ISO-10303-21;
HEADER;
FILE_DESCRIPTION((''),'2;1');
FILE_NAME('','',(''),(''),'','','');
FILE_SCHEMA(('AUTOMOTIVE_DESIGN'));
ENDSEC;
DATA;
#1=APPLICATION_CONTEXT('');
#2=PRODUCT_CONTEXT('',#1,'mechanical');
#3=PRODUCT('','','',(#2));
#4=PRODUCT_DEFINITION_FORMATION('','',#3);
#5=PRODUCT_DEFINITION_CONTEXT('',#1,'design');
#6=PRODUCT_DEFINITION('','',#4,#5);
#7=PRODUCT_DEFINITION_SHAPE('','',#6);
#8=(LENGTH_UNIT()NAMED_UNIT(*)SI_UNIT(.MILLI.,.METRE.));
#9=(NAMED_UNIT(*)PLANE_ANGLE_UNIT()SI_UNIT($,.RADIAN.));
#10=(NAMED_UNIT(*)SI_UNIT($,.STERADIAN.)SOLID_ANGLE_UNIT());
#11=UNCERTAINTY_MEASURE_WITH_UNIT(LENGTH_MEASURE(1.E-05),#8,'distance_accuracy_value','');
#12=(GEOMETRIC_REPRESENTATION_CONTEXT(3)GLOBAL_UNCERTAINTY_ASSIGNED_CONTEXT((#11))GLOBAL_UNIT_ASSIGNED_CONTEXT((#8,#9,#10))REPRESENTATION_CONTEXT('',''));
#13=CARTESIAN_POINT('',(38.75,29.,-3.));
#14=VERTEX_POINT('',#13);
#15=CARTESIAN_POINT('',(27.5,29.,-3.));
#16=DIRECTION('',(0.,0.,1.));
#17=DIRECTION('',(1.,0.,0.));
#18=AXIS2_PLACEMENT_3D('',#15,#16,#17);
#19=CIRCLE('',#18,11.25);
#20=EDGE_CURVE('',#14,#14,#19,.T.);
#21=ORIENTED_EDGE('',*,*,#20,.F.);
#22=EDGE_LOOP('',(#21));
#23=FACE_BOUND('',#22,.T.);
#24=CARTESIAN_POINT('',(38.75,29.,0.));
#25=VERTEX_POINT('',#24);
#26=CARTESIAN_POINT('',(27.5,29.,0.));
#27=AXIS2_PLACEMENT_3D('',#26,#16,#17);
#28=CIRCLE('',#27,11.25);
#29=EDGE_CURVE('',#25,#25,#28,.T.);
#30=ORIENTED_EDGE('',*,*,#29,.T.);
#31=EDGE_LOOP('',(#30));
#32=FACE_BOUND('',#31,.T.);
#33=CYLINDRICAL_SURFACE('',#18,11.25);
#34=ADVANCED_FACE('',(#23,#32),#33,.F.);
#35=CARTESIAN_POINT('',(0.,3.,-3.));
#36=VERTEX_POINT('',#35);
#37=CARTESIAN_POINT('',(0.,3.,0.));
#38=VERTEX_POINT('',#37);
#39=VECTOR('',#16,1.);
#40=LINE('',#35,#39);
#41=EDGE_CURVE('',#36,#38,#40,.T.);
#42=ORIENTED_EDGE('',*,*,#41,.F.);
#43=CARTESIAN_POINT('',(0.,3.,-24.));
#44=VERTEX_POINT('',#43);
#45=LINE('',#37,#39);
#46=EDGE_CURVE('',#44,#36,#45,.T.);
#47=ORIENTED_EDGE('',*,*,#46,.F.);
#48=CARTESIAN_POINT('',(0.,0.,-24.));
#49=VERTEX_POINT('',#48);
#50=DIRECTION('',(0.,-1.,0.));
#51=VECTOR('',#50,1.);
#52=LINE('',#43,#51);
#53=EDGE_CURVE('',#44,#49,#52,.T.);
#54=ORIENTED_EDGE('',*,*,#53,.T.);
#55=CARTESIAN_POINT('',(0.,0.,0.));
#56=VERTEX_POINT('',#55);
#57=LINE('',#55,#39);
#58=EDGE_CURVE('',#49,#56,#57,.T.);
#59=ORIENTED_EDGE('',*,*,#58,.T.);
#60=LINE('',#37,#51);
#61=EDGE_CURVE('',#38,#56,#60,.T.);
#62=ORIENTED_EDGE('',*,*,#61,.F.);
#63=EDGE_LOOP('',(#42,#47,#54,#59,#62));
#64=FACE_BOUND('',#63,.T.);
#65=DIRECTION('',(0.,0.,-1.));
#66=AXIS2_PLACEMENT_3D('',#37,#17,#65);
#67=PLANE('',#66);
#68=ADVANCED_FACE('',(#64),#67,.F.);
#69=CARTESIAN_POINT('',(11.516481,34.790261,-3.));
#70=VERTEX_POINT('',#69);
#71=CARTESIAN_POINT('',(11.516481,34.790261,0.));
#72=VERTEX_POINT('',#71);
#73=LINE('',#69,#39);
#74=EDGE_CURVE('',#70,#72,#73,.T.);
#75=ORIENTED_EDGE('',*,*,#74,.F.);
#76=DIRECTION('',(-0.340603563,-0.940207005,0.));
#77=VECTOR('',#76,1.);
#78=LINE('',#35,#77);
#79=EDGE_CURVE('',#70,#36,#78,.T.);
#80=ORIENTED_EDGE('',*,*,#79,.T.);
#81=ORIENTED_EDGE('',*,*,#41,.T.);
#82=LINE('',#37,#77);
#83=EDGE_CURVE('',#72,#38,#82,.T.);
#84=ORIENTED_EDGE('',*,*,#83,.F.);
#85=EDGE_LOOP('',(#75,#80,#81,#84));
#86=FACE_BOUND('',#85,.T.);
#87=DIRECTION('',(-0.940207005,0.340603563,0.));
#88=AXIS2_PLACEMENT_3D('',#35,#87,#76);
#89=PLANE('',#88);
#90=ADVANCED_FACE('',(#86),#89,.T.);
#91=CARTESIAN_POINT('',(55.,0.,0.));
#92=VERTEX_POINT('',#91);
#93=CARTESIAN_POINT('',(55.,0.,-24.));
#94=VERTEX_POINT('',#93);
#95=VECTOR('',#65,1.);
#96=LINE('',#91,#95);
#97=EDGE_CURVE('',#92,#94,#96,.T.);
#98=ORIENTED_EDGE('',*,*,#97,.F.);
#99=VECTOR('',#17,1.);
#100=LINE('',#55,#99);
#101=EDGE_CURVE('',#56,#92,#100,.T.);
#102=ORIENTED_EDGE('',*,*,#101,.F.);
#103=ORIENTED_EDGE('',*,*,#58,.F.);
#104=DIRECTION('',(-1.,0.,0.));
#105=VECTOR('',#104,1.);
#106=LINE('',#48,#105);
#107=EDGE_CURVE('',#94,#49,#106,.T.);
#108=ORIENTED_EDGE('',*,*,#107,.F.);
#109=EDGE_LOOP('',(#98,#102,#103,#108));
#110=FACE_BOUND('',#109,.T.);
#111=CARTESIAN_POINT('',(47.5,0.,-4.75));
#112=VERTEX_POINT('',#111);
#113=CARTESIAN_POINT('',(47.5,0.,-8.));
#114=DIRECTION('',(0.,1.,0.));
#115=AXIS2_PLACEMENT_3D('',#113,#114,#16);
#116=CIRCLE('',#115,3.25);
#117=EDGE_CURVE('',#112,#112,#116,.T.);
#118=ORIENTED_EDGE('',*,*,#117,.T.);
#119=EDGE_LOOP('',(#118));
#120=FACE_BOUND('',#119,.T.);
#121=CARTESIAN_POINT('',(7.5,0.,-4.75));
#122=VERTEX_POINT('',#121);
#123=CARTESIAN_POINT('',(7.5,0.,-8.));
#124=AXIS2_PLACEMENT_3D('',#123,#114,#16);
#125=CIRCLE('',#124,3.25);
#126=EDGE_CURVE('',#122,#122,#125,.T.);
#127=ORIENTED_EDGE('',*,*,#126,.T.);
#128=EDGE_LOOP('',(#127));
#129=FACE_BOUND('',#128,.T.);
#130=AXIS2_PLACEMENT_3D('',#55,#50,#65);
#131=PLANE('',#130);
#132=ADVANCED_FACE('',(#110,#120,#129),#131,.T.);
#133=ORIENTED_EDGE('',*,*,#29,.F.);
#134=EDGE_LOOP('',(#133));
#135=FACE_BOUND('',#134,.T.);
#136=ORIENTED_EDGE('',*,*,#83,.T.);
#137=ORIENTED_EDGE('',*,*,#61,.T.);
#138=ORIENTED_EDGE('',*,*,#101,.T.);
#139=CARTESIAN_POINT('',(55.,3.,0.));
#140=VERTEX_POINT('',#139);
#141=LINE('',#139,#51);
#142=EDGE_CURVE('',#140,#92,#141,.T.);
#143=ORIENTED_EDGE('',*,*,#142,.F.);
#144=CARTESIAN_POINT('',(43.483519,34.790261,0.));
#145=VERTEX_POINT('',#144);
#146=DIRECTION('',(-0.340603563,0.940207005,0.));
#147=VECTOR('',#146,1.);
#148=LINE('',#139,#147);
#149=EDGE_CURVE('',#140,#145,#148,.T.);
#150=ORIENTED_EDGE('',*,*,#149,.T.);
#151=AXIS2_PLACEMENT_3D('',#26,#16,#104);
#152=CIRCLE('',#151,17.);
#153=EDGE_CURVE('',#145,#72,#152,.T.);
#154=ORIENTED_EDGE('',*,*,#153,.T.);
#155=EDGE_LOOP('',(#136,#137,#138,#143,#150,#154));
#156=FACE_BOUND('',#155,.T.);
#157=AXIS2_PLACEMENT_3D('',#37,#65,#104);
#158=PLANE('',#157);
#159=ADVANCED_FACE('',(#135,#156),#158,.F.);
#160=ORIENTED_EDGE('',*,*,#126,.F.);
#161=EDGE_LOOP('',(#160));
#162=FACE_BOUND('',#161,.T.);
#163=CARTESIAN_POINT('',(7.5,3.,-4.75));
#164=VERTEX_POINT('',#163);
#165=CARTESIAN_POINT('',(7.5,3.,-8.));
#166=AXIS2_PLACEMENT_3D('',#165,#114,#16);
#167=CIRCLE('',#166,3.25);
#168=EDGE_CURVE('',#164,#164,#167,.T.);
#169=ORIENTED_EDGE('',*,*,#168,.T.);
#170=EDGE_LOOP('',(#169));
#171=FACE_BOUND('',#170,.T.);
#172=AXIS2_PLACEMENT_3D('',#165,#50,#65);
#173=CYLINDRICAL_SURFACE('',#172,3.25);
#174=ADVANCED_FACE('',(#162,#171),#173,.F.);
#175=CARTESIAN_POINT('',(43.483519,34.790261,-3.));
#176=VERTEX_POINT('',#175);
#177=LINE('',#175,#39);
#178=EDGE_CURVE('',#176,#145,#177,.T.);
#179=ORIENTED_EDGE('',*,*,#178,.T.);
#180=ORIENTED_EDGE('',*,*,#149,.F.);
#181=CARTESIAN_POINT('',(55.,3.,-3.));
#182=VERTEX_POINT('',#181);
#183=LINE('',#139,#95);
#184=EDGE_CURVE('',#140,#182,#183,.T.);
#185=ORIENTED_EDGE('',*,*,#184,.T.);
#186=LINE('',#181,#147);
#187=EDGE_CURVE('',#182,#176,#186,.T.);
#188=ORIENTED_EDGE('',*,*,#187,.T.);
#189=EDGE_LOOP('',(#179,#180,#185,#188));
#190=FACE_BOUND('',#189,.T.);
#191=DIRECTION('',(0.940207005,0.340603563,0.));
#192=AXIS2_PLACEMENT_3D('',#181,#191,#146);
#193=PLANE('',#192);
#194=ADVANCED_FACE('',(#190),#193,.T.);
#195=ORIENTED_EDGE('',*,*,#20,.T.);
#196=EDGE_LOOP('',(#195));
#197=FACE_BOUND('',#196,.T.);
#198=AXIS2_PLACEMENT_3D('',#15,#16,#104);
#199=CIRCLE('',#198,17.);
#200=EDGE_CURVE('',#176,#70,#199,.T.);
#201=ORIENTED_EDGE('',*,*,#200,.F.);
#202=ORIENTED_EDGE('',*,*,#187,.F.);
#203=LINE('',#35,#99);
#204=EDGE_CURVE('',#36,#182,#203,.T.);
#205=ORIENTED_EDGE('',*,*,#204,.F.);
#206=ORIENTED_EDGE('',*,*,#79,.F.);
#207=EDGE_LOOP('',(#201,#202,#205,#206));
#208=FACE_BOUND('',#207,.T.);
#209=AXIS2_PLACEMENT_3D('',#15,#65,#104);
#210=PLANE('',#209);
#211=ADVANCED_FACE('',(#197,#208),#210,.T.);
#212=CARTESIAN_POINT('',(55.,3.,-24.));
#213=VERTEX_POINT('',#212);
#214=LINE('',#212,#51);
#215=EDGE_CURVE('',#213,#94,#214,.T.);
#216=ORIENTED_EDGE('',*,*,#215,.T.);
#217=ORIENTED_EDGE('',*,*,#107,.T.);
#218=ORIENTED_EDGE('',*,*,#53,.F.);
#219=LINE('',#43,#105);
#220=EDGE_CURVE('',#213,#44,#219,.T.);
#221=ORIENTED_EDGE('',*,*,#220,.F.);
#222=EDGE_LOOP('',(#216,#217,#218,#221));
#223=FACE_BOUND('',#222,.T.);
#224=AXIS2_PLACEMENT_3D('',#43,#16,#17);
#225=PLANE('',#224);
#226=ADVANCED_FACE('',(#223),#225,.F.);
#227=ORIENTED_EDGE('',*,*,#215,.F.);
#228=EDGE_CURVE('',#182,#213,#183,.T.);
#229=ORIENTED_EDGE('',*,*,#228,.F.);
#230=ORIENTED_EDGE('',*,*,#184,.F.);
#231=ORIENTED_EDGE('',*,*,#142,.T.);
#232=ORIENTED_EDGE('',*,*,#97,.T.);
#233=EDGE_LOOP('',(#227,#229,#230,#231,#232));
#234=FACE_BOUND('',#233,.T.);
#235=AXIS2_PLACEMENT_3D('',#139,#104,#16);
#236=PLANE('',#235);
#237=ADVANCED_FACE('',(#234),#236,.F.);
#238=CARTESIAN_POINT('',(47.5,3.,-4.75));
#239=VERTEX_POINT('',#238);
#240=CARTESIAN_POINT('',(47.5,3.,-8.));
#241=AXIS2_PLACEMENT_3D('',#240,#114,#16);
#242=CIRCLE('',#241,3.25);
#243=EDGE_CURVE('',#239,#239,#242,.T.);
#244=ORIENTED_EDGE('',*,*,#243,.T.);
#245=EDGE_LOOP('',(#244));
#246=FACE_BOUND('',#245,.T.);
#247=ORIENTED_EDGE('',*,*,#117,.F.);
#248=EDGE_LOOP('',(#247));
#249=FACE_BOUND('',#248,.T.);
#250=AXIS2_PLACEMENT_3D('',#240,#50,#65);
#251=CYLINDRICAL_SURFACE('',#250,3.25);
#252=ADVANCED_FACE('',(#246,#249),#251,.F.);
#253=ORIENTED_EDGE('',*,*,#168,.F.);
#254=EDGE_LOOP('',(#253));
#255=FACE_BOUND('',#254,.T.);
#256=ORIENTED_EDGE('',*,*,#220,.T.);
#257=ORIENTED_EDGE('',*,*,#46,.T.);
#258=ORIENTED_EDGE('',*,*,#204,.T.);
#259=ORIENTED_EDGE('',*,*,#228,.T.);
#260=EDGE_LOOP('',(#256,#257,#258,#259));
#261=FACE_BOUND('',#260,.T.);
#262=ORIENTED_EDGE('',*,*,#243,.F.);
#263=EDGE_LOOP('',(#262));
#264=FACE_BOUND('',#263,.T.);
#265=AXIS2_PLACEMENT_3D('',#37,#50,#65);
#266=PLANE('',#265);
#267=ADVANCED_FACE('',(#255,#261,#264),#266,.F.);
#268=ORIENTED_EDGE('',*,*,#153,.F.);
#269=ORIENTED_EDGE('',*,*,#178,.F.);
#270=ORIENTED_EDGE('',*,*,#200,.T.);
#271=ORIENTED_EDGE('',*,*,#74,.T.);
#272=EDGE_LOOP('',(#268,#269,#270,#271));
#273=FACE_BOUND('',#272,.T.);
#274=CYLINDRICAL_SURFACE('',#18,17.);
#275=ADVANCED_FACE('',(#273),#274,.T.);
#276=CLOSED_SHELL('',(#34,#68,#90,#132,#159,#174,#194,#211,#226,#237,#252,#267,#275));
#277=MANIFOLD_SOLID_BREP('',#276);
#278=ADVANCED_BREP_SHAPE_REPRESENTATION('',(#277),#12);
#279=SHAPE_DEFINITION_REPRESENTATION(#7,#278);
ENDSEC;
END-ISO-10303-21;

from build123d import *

# Parameters (mm, degrees)
SKETCH_1_W      = 55
SKETCH_1_H      = 24
SKETCH_1_R      = 3.25
EXTRUDE_1_DEPTH = 3
SKETCH_3_R      = 11.25
EXTRUDE_2_DEPTH = 3


with BuildPart() as part:
    # 草图1 → 凸台-拉伸1 (new body)
    with BuildSketch(Plane(origin=(0, 0, 0), x_dir=(1, 0, 0), z_dir=(0, 1, 0))):
        with Locations((27.5, 12)):
            Rectangle(SKETCH_1_W, SKETCH_1_H)
        with Locations(Location((47.5, 8, 0), (0, 0, 270))):
            Circle(SKETCH_1_R, mode=Mode.SUBTRACT)
        with Locations(Location((7.5, 8, 0), (0, 0, 270))):
            Circle(SKETCH_1_R, mode=Mode.SUBTRACT)
    extrude(amount=EXTRUDE_1_DEPTH)

    # 草图3 → 凸台-拉伸2 (add)
    with BuildSketch(Plane.XY):
        with BuildLine():
            Line((0, 3), (11.516480911, 34.790260575))
            ThreePointArc((11.516480911, 34.790260575), (27.5, 46), (43.483519089, 34.790260575))
            Line((43.483519089, 34.790260575), (55, 3))
            Line((55, 3), (0, 3))
        make_face()
        with Locations((27.5, 29)):
            Circle(SKETCH_3_R, mode=Mode.SUBTRACT)
    extrude(amount=-EXTRUDE_2_DEPTH)


solid = part.part
